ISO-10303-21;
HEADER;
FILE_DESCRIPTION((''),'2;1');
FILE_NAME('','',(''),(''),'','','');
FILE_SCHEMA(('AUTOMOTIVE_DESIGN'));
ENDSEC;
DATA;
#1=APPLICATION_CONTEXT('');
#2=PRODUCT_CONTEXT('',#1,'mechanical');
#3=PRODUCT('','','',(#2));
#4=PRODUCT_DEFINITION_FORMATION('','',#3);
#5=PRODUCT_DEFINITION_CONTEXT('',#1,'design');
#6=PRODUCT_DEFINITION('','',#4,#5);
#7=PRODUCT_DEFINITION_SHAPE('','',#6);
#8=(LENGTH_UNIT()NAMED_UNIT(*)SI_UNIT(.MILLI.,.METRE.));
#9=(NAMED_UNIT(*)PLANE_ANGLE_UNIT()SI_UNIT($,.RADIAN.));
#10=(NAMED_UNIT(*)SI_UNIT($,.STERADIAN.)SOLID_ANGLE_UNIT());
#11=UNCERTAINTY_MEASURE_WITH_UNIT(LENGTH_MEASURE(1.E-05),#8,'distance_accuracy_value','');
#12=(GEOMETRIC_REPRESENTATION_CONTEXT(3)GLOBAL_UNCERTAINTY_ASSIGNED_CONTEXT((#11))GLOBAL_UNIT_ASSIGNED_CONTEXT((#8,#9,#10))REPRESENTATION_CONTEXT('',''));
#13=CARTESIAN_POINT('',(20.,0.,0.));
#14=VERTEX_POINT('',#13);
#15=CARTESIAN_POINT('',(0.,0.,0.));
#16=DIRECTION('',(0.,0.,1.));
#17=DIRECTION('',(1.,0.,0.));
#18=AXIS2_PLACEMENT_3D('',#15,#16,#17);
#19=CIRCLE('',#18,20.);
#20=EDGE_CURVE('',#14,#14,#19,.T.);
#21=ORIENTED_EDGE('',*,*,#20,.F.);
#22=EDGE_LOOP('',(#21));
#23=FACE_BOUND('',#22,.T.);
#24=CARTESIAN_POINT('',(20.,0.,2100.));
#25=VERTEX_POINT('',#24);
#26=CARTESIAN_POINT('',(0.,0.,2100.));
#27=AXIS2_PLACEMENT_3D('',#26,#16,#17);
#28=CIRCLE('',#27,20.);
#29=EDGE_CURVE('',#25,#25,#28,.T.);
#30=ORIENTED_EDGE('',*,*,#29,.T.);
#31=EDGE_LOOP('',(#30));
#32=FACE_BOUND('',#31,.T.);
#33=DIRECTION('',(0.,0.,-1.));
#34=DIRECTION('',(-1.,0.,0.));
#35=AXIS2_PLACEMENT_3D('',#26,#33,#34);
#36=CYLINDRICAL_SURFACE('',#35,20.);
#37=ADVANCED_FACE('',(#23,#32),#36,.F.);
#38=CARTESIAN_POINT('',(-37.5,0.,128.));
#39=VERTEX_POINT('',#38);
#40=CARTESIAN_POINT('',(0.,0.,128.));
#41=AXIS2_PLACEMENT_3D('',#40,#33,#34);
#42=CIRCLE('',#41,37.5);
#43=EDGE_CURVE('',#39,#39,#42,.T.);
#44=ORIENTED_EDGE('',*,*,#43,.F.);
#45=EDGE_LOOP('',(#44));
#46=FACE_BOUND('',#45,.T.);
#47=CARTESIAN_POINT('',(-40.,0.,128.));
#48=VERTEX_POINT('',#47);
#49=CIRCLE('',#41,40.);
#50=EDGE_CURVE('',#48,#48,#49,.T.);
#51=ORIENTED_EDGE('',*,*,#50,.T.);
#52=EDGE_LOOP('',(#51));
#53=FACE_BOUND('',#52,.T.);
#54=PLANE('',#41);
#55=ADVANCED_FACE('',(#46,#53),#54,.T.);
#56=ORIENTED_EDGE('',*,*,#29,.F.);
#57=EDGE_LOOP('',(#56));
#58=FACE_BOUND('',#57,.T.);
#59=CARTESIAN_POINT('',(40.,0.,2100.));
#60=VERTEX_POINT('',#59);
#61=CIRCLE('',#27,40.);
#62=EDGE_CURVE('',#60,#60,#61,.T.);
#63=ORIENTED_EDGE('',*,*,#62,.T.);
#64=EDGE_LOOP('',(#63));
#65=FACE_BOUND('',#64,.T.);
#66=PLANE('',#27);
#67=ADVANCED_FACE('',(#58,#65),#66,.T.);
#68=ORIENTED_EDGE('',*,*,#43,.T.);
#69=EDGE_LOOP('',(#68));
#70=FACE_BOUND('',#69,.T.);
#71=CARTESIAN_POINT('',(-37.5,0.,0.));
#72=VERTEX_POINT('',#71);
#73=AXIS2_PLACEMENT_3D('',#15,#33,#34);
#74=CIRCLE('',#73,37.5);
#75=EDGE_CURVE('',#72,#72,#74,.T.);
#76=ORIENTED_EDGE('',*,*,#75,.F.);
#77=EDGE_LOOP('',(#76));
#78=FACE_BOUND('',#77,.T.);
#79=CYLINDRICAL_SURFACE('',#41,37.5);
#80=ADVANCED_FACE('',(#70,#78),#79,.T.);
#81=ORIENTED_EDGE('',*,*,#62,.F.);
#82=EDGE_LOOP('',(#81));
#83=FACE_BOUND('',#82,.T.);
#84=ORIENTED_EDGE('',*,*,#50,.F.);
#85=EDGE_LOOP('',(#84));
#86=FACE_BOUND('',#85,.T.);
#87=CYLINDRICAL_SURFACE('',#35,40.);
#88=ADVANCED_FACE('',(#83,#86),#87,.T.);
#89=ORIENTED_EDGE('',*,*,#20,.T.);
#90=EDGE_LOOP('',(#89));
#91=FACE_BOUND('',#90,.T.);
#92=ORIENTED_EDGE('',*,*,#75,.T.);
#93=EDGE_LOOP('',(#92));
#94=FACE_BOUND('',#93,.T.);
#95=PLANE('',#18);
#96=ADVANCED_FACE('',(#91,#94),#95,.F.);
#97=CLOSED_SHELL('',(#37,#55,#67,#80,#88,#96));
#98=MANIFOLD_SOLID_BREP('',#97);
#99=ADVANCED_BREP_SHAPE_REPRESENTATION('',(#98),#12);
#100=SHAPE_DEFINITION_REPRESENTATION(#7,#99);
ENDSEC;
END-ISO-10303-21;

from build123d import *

# Parameters (mm, degrees)
SKETCH_1_R          = 40
SKETCH_1_R_2        = 20
EXTRUDE_1_DEPTH     = 2100
SKETCH_2_R          = 40
SKETCH_2_R_2        = 37.5
CUT_EXTRUDE_1_DEPTH = 128


with BuildPart() as part:
    # 草图1 → 凸台-拉伸1 (new body)
    with BuildSketch(Plane.XY):
        Circle(SKETCH_1_R)
        Circle(SKETCH_1_R_2, mode=Mode.SUBTRACT)
    extrude(amount=EXTRUDE_1_DEPTH)

    # 草图2 → 切除-拉伸1 (cut)
    with BuildSketch(Plane(origin=(0, 0, 0), x_dir=(-1, 0, 0), z_dir=(0, 0, -1))):
        Circle(SKETCH_2_R)
        Circle(SKETCH_2_R_2, mode=Mode.SUBTRACT)
    extrude(amount=-CUT_EXTRUDE_1_DEPTH, mode=Mode.SUBTRACT)


solid = part.part
